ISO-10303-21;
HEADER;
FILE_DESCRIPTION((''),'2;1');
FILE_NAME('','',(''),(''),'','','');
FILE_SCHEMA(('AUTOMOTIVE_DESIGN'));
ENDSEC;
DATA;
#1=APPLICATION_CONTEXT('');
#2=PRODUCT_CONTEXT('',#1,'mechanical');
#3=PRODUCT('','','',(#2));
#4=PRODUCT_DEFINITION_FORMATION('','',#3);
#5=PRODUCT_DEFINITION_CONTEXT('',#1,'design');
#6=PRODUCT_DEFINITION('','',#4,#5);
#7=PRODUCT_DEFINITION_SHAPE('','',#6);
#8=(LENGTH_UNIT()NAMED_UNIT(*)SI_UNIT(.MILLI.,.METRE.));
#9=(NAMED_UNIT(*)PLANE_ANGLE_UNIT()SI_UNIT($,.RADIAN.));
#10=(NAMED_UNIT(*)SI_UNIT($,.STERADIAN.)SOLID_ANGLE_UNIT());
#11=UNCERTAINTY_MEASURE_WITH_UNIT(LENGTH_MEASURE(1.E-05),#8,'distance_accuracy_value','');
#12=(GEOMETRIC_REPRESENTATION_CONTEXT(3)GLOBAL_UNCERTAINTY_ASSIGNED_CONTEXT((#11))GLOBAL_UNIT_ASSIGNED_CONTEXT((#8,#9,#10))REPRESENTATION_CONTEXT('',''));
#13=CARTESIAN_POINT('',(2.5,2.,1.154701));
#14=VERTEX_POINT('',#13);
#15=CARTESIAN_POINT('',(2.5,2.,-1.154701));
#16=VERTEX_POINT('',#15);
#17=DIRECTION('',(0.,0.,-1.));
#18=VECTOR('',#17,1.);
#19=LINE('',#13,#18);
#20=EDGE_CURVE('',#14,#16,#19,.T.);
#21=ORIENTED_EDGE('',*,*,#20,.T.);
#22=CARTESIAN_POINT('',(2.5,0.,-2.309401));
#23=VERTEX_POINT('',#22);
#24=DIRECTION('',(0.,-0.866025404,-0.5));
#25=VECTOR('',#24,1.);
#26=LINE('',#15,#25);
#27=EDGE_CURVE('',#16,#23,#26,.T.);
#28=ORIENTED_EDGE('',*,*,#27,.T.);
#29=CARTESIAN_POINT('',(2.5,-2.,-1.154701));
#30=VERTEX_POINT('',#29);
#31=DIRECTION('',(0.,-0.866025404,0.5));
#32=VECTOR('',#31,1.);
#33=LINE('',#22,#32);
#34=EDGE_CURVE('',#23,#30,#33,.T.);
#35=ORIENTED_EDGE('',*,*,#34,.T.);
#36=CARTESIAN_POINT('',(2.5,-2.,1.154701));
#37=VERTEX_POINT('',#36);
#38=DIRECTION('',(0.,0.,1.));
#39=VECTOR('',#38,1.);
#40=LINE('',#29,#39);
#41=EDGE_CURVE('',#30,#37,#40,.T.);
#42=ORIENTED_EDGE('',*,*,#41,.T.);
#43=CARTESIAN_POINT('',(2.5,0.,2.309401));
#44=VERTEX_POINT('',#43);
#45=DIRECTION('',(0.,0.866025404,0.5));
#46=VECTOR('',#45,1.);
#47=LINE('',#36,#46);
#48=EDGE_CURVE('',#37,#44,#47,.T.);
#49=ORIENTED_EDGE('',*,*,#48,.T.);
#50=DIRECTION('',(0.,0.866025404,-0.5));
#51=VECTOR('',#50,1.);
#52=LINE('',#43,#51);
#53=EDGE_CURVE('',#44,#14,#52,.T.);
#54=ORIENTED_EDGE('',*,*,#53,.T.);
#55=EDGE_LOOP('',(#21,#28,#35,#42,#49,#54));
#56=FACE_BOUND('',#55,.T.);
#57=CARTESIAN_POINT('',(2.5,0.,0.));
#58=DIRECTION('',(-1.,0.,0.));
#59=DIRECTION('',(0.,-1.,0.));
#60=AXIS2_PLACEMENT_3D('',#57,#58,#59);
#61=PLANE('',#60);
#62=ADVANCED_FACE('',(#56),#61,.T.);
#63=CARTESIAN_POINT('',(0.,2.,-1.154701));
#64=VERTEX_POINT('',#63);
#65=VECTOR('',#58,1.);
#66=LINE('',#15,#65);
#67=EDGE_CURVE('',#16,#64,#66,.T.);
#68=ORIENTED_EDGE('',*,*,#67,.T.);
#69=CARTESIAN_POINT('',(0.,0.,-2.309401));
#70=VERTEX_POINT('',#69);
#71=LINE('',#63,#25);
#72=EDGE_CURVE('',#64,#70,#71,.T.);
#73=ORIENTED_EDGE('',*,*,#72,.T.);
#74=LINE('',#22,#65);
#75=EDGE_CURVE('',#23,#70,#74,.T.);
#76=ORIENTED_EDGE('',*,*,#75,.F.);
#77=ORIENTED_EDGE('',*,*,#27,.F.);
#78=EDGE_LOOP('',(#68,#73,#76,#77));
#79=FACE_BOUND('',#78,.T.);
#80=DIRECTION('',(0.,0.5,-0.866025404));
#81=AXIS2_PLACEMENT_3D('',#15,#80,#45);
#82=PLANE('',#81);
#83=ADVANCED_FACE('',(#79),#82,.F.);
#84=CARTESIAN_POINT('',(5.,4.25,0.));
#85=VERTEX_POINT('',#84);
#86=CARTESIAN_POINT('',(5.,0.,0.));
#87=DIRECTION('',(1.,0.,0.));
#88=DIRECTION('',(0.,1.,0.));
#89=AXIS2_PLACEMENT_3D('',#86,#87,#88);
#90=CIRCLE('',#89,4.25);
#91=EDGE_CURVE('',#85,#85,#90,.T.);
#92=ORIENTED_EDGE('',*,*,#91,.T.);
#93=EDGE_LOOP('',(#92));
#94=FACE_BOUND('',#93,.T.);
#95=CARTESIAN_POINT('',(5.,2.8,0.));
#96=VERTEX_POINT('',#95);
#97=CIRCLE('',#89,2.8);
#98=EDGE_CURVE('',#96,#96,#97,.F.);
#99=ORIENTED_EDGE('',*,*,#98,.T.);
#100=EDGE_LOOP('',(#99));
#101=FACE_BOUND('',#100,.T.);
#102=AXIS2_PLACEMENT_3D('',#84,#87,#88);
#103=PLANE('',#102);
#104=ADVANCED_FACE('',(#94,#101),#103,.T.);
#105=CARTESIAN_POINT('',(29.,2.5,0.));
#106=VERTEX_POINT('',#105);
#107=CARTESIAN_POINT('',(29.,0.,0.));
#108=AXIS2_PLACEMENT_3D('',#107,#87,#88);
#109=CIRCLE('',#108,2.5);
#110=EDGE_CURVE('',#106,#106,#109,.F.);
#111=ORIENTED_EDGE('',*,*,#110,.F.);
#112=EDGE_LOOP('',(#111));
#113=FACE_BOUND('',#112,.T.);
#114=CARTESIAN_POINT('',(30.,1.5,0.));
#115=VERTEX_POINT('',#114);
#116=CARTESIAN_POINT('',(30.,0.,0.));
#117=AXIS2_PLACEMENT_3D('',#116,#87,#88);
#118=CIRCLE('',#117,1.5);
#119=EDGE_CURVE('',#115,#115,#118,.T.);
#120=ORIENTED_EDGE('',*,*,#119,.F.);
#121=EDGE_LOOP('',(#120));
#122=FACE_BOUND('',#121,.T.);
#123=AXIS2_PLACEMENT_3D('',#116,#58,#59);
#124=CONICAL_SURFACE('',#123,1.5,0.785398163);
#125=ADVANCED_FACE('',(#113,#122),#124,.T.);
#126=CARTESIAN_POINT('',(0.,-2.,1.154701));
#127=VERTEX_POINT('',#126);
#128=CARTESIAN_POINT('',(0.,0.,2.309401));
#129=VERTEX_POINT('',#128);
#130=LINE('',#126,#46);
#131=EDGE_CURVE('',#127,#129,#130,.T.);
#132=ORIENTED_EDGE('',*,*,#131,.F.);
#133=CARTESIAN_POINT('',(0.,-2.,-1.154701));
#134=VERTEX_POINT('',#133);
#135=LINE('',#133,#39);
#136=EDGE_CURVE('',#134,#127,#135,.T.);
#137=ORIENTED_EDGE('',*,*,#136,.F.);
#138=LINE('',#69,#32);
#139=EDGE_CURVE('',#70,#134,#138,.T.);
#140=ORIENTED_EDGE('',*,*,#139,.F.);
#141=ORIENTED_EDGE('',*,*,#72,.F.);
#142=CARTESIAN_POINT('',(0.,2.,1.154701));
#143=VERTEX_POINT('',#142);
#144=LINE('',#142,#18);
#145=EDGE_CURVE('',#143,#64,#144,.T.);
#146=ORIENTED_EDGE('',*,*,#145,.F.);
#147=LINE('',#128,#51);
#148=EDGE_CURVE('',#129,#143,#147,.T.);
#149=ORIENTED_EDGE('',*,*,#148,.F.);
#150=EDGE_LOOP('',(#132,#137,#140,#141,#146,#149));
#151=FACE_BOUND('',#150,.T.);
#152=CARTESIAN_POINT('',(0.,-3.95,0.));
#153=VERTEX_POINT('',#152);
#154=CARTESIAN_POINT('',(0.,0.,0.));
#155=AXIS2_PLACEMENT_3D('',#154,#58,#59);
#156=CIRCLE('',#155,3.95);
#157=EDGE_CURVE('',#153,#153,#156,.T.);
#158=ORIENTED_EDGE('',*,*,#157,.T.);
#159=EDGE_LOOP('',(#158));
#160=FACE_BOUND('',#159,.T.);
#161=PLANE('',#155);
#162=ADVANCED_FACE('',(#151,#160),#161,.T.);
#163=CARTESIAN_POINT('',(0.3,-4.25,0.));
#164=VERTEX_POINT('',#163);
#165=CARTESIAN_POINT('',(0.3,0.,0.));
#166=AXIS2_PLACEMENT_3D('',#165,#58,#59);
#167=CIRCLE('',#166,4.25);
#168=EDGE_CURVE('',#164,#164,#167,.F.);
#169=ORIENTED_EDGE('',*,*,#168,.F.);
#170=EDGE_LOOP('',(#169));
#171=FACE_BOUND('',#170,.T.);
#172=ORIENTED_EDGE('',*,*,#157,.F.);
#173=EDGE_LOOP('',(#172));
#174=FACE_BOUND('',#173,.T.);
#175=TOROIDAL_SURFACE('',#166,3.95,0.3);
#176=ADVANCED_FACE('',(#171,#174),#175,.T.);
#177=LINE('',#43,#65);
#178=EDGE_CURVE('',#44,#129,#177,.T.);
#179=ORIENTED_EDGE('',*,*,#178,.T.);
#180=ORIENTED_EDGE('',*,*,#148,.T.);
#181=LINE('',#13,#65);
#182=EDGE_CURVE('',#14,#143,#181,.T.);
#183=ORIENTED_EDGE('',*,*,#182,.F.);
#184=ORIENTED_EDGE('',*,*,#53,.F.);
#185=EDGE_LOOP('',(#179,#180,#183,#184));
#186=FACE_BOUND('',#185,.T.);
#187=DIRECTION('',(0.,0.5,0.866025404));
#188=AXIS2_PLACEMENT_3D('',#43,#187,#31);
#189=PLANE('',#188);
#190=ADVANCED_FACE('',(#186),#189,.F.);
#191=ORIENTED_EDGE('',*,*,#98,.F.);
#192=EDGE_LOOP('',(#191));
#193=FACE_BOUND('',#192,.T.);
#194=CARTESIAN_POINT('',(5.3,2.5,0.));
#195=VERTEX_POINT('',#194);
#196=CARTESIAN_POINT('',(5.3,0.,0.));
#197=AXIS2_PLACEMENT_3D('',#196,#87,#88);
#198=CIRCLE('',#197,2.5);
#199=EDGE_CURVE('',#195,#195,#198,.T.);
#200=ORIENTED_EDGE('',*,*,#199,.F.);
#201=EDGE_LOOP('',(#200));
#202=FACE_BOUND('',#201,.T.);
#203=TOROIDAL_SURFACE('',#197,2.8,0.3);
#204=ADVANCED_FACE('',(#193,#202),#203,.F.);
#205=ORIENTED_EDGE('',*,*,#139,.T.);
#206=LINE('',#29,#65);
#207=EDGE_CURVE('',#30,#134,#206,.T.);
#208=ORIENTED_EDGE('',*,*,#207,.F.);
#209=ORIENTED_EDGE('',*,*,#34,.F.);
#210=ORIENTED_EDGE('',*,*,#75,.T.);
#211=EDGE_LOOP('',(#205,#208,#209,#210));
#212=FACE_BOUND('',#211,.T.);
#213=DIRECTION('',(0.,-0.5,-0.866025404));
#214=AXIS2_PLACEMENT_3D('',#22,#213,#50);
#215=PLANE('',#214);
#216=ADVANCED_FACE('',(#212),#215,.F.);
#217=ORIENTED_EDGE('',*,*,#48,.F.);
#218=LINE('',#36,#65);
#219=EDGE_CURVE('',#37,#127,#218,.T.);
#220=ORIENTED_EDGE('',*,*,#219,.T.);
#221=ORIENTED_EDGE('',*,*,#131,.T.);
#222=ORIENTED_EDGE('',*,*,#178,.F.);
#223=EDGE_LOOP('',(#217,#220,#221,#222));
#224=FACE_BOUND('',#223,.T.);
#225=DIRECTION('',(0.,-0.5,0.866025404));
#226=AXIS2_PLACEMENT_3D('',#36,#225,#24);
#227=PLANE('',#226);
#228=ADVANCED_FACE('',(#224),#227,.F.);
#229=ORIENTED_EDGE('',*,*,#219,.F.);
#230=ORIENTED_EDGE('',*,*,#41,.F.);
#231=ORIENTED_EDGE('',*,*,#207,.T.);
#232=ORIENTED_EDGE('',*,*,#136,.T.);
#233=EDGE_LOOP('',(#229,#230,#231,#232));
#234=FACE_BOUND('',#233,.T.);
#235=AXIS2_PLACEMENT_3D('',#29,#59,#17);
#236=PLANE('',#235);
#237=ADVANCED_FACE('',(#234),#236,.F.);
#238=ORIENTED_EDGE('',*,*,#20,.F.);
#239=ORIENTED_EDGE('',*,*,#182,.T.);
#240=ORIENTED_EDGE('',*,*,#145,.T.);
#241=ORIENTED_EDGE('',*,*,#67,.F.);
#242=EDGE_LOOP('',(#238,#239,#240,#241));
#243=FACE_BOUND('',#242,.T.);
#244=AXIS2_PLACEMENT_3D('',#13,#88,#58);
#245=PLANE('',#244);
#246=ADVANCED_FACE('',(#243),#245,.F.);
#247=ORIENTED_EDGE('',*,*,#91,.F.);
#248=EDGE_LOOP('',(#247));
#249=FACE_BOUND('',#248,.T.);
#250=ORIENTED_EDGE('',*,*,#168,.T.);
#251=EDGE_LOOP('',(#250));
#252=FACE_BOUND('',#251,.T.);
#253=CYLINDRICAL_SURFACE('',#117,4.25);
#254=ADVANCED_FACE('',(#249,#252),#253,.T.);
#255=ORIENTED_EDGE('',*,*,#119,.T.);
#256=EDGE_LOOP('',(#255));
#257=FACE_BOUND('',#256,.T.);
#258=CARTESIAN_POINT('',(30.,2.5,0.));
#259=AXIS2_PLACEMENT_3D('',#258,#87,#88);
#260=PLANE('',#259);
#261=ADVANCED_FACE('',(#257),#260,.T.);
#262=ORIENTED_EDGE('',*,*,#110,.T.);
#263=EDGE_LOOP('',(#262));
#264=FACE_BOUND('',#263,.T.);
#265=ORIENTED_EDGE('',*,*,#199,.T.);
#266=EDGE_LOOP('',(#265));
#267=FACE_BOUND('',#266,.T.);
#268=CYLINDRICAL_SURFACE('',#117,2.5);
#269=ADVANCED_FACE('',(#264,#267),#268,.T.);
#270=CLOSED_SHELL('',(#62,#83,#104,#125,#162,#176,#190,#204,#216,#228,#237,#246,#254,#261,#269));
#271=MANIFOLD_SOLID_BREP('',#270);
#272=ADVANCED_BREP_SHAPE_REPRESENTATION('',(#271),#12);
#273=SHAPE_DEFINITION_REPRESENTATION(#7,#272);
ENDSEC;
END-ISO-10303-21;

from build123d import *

# Parameters (mm, degrees)
CUT_EXTRUDE_1_DEPTH = 2.5
FILLET_1_R          = 0.3
CHAMFER_1_SIZE      = 1


with BuildPart() as part:
    # Эскиз1 → Повернуть1 (revolve)
    with BuildSketch(Plane.XY):
        Polygon((0, 0), (0, 4.25), (5, 4.25), (5, 2.5), (30, 2.5), (30, 0), align=None)
    revolve(axis=Axis((30, 0, 0), (-1, 0, 0)))

    # Эскиз2 → Вырез-Вытянуть1 (cut)
    with BuildSketch(Plane.ZY):
        Polygon((-1.154700538, 2), (-2.309401077, 0), (-1.154700538, -2), (1.154700538, -2), (2.309401077, 0), (1.154700538, 2), align=None)
    extrude(amount=-CUT_EXTRUDE_1_DEPTH, mode=Mode.SUBTRACT)

    # Скругление1
    fillet_1_edges = [part.edges().sort_by_distance(p)[0] for p in [
        (5, -2.5, 0),
        (0, -4.25, 0),
    ]]
    fillet(fillet_1_edges, radius=FILLET_1_R)

    # Фаска1
    chamfer_1_edges = [part.edges().sort_by_distance(p)[0] for p in [
        (30, -2.5, 0),
    ]]
    chamfer(chamfer_1_edges, length=CHAMFER_1_SIZE)


solid = part.part
